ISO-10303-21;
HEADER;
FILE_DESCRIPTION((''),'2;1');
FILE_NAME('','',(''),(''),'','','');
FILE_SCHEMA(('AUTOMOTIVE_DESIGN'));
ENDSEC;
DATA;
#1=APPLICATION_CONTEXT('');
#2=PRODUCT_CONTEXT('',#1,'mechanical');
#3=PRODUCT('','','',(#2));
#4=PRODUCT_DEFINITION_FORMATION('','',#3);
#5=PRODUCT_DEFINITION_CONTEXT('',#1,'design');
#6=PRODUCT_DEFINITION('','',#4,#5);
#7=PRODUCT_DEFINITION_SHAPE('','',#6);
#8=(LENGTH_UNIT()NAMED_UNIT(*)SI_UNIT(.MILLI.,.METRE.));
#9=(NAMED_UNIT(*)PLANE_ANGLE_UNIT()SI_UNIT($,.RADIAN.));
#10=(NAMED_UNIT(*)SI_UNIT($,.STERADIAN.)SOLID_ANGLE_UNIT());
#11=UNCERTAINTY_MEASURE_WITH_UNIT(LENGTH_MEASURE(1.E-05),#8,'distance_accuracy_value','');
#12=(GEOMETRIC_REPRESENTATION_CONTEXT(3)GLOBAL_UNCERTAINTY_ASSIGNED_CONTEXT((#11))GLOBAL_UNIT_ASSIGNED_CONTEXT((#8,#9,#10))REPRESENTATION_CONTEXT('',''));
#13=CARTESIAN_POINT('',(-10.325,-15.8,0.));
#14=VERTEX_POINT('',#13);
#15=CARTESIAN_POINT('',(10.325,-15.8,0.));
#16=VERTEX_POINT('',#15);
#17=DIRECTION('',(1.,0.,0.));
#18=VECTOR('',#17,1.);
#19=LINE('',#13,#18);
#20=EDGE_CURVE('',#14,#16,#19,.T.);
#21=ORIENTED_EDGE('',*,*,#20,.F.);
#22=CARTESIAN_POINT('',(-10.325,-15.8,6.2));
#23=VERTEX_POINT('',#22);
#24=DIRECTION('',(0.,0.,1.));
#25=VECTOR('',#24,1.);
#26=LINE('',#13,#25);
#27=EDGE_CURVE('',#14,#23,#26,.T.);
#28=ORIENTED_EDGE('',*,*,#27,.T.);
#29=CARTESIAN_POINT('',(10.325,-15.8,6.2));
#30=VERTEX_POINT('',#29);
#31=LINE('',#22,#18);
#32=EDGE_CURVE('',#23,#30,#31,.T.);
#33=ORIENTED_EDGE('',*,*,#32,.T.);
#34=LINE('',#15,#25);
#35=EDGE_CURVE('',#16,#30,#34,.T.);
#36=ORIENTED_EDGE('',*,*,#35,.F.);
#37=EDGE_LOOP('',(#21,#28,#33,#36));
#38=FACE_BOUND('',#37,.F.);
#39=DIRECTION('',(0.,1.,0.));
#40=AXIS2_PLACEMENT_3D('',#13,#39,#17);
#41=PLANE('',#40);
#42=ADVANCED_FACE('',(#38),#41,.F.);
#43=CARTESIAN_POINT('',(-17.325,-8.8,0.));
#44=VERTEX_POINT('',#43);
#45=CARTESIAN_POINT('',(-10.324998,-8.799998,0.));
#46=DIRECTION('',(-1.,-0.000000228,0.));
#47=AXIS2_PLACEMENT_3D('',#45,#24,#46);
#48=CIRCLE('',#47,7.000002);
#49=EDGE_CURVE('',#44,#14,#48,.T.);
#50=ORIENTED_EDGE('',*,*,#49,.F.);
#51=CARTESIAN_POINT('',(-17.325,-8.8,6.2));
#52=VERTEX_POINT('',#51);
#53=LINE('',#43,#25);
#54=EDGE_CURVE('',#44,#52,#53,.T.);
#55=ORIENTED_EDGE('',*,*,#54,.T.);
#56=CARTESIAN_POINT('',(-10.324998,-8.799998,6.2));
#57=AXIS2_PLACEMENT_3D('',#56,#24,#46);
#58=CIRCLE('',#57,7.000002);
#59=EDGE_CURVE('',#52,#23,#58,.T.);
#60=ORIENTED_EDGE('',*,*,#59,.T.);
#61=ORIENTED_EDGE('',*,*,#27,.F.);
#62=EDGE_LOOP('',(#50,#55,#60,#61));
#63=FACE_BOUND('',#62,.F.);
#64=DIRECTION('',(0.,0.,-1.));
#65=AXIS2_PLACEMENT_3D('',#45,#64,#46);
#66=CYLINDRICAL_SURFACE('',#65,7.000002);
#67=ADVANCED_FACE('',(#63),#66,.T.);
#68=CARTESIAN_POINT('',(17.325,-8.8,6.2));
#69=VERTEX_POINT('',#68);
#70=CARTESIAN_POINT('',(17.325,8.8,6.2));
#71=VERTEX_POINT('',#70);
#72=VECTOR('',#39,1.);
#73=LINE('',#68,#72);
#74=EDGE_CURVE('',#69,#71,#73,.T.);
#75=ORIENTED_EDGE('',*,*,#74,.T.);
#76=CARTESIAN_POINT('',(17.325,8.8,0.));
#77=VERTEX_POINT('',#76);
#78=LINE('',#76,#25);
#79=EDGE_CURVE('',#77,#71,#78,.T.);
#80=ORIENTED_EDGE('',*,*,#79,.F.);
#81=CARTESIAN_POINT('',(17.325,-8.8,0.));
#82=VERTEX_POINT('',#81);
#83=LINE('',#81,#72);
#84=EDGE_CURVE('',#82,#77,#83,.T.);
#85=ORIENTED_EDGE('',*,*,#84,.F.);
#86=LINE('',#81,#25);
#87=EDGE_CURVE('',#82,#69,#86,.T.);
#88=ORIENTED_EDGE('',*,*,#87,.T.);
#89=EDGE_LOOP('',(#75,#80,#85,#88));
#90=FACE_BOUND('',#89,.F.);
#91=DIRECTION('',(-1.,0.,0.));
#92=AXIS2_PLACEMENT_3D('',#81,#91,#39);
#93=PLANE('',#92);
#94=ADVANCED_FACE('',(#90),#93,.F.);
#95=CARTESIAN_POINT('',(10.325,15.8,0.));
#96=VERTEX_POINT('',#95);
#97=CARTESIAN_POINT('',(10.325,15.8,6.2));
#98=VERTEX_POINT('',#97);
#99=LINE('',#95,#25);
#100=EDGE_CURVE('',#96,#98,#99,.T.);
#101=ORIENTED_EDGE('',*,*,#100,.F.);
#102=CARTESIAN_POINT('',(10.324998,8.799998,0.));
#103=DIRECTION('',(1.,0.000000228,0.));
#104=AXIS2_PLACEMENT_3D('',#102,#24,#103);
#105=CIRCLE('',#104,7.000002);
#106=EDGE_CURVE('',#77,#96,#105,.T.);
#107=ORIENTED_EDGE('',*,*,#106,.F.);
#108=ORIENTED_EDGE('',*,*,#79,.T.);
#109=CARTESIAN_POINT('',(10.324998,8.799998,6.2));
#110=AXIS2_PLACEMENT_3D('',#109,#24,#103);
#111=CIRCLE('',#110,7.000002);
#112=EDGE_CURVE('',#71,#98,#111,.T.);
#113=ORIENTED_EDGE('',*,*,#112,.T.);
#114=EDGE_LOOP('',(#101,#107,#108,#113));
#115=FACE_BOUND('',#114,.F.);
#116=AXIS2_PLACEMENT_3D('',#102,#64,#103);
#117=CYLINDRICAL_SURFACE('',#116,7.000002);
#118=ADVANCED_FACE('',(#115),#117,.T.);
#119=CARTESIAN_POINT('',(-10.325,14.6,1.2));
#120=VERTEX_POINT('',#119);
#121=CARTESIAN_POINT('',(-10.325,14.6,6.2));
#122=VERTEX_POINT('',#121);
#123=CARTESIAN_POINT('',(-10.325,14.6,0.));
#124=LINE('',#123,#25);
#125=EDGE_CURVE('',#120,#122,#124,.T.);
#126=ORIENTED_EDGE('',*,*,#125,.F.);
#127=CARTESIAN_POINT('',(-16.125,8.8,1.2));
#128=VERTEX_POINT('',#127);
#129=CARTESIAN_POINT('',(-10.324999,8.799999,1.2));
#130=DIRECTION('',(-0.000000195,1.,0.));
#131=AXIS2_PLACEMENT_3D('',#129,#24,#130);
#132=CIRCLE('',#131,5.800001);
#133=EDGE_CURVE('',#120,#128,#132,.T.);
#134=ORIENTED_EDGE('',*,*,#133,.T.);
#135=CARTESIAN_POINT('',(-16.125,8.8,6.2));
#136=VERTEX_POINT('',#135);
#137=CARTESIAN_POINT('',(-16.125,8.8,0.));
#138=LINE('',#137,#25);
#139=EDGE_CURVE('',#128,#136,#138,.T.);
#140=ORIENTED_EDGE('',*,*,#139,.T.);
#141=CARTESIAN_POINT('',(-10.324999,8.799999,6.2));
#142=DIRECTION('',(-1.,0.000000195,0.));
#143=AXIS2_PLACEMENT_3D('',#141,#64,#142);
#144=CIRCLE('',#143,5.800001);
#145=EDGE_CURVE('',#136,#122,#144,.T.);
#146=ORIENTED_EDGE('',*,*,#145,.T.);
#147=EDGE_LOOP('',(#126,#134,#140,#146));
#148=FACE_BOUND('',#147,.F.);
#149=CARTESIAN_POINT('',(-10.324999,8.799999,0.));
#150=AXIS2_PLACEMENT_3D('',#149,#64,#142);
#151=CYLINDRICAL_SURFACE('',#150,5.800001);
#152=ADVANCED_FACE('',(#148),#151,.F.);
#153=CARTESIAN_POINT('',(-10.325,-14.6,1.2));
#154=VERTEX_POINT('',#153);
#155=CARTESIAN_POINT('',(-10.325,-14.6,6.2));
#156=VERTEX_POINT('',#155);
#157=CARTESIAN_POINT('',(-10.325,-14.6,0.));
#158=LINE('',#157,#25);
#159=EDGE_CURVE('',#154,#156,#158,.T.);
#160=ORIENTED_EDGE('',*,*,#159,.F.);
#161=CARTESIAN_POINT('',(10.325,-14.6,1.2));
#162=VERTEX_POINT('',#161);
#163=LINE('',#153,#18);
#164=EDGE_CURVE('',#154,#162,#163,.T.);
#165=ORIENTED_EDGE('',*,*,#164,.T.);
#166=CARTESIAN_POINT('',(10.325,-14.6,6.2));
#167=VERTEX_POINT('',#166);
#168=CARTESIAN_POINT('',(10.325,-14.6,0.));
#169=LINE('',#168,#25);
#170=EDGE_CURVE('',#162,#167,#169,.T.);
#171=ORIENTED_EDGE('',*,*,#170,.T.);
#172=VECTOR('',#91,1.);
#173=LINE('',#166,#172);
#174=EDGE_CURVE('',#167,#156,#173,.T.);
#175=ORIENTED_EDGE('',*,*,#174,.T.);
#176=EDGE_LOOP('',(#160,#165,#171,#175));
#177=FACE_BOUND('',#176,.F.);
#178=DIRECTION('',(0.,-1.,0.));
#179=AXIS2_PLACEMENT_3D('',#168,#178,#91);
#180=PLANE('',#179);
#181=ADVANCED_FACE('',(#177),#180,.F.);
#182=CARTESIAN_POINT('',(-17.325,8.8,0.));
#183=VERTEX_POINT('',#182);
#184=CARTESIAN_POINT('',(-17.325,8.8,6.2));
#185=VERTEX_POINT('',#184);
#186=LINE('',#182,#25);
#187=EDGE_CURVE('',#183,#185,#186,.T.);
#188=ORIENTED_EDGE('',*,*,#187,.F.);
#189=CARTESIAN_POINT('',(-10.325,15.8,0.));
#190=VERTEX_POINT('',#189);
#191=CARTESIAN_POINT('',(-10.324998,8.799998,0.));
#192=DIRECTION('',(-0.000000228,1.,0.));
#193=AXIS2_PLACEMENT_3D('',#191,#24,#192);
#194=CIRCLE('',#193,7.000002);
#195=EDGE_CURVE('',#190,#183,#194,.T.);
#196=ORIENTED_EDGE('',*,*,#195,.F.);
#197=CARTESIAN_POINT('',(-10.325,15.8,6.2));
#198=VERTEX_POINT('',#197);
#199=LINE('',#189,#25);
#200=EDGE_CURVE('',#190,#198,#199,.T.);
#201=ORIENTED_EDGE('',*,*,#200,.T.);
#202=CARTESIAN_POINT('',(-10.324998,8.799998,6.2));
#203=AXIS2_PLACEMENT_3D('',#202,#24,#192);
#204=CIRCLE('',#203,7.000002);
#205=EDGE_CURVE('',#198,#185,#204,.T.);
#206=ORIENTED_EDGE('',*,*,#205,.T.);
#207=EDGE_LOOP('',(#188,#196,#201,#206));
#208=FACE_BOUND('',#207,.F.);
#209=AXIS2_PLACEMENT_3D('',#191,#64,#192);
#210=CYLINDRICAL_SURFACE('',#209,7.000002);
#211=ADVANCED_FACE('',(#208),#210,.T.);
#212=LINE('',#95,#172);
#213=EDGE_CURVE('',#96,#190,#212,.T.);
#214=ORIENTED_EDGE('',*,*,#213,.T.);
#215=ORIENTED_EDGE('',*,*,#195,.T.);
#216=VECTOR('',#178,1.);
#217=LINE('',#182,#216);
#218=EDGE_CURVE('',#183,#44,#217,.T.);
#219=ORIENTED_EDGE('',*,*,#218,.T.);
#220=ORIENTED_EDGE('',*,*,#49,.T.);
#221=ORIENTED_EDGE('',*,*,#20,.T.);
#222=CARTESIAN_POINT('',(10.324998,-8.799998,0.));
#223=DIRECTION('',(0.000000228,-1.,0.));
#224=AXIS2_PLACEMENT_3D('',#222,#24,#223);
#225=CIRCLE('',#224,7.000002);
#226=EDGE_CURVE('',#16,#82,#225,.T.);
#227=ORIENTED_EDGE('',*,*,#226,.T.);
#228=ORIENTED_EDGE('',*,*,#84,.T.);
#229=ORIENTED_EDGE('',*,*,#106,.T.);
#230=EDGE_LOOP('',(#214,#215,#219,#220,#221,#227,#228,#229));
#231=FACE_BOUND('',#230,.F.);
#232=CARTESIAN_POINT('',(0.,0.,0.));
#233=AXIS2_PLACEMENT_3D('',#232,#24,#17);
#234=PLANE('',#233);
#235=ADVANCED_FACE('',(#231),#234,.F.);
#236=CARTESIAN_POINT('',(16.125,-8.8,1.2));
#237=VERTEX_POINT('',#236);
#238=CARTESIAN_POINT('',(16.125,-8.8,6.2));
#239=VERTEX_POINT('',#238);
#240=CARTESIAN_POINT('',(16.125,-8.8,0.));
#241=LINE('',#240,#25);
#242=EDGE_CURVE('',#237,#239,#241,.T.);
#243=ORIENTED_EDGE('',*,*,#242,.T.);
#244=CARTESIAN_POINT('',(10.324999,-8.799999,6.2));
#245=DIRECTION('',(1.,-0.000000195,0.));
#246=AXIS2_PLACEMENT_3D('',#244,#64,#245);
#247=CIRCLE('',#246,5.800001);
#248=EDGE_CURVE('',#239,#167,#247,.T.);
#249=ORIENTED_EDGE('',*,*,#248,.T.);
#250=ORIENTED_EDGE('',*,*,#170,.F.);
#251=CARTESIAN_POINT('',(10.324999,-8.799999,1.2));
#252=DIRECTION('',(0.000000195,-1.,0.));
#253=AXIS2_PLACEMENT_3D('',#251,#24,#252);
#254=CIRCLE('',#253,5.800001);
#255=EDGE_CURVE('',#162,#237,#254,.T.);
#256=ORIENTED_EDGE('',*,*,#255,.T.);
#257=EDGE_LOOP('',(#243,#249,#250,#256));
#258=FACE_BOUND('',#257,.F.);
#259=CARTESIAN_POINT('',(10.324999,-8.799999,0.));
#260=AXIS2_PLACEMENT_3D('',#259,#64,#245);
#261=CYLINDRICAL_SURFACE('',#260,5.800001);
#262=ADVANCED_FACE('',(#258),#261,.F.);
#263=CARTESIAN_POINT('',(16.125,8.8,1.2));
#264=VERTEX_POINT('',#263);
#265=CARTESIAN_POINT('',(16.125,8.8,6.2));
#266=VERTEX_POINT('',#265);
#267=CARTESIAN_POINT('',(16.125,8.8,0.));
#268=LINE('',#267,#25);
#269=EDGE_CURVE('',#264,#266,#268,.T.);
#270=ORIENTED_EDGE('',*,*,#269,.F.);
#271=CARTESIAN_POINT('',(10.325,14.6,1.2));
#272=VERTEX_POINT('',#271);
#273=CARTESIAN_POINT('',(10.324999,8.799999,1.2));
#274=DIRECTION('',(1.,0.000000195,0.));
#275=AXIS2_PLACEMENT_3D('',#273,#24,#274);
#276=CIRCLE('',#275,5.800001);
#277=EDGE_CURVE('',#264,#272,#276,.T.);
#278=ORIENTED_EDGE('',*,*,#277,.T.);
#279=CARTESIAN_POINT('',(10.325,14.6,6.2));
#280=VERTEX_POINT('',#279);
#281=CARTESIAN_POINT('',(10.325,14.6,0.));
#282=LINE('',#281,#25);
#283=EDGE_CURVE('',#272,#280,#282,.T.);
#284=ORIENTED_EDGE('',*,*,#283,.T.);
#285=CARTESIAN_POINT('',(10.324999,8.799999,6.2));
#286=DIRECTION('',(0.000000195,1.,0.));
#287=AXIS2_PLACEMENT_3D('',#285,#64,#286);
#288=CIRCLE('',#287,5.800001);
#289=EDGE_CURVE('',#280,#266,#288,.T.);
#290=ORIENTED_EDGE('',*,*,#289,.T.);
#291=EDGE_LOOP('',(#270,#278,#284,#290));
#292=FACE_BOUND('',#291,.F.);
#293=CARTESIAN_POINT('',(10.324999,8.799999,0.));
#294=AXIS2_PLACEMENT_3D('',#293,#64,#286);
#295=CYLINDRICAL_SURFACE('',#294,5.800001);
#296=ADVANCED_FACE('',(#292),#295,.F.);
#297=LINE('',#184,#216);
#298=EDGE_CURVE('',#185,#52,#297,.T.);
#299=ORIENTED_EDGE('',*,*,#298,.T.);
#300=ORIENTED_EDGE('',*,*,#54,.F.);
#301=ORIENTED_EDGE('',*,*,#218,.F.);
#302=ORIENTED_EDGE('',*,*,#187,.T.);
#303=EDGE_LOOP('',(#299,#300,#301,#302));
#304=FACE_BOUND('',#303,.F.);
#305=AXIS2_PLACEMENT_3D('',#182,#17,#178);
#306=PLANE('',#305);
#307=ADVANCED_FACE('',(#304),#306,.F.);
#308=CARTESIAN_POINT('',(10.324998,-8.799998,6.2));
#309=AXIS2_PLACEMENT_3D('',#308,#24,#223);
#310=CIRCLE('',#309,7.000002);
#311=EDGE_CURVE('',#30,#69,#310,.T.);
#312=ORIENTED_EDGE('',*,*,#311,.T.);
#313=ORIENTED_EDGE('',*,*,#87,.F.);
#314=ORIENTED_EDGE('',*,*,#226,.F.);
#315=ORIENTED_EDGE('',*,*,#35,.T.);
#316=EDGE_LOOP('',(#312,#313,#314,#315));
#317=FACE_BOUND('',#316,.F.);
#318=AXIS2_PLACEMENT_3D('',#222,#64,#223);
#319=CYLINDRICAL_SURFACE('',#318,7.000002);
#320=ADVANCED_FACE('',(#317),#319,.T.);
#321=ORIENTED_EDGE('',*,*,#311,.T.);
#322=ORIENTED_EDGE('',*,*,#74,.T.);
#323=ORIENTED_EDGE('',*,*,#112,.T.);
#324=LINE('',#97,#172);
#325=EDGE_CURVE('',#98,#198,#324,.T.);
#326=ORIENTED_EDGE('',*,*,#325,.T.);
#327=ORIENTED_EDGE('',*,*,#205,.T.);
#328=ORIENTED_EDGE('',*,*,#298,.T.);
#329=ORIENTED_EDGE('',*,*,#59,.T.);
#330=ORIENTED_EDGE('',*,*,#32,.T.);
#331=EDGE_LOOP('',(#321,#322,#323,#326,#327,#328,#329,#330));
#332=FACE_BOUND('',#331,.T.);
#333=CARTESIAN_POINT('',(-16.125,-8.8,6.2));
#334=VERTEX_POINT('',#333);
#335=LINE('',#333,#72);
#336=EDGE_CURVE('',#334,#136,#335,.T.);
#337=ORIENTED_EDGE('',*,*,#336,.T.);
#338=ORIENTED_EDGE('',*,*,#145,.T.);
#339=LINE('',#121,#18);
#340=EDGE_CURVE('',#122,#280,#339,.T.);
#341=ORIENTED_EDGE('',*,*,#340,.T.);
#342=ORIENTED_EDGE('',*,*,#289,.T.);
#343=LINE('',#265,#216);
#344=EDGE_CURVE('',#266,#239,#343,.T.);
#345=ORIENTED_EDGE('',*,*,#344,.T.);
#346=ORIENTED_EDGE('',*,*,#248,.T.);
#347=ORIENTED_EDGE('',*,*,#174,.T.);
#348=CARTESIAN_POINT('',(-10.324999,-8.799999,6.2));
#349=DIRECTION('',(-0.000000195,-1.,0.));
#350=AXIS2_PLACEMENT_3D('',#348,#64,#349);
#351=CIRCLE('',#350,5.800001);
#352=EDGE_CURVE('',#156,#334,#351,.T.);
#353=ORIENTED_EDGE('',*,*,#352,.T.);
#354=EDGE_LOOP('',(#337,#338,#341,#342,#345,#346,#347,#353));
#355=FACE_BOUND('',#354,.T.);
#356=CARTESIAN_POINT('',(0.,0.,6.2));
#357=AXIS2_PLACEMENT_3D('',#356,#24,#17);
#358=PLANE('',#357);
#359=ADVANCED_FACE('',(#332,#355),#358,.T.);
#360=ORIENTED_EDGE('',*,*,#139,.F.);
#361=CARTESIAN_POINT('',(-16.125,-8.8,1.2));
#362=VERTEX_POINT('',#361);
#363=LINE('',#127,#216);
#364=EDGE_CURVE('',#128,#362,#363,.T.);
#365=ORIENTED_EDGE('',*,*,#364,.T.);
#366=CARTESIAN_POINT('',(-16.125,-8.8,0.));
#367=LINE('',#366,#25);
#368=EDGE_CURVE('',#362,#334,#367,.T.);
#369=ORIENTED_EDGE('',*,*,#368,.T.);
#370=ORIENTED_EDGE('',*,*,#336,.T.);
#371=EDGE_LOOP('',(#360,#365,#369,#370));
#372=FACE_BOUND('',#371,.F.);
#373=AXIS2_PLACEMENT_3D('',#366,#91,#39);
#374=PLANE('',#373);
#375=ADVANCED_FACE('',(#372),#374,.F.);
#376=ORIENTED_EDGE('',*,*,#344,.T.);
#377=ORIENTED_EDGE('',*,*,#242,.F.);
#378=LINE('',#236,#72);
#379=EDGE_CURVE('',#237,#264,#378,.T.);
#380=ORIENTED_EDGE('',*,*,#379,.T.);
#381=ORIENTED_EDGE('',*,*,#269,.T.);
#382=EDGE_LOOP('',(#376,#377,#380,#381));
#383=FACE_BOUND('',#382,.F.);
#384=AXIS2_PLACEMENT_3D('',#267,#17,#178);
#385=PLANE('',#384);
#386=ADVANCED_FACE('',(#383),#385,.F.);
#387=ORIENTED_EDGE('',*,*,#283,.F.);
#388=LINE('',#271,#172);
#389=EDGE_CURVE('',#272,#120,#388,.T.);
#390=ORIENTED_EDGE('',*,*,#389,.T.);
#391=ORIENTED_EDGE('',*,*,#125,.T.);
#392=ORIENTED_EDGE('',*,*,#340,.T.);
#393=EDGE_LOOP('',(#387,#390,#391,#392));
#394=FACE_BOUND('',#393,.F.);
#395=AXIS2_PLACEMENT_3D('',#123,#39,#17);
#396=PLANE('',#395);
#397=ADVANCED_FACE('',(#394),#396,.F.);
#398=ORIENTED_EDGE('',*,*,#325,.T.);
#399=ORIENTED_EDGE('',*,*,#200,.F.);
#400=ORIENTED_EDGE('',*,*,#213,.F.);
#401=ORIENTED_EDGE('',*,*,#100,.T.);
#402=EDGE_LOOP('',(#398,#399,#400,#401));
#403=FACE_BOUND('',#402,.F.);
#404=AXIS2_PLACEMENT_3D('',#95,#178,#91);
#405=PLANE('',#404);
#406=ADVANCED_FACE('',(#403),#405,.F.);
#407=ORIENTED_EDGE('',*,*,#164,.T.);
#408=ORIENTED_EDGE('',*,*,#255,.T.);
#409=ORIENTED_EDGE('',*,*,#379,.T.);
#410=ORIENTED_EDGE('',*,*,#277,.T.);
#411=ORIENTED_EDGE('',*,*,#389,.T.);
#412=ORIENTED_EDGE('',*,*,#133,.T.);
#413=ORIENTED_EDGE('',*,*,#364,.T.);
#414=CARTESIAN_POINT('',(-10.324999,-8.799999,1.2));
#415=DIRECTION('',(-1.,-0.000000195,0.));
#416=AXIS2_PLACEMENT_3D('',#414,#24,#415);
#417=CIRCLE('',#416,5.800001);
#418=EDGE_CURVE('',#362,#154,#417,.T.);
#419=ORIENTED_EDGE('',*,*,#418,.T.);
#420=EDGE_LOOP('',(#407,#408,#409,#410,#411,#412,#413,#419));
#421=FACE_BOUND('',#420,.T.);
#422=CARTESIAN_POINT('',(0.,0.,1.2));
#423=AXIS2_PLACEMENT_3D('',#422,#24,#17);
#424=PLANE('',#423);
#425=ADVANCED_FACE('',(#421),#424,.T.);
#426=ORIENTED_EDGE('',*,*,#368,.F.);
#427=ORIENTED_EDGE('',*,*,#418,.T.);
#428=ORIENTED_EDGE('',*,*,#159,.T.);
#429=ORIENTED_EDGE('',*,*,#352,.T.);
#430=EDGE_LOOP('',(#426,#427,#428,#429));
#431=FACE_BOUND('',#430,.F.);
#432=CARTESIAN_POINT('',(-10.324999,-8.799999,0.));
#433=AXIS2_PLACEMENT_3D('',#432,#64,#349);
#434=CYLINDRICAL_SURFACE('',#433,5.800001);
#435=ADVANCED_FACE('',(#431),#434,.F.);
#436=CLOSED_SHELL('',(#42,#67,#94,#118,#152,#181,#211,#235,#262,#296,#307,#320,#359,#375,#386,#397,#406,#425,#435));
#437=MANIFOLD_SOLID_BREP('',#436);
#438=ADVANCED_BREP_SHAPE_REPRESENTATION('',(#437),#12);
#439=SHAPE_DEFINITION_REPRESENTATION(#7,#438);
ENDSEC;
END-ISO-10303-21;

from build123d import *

# Parameters (mm, degrees)
F1_DEPTH = 6.2
F2_DEPTH = 1.2


with BuildPart() as f1:
    # F0 (on Top) → F1 (new body)
    with BuildSketch(Plane.XY):
        with BuildLine():
            Line((-10.325, -15.8), (10.325, -15.8))
            ThreePointArc((10.325, -15.8), (15.274747, -13.749747), (17.325, -8.8))
            Line((17.325, -8.8), (17.325, 8.8))
            ThreePointArc((17.325, 8.8), (15.274747, 13.749747), (10.325, 15.8))
            Line((10.325, 15.8), (-10.325, 15.8))
            ThreePointArc((-10.325, 15.8), (-15.274747, 13.749747), (-17.325, 8.8))
            Line((-17.325, 8.8), (-17.325, -8.8))
            ThreePointArc((-17.325, -8.8), (-15.274747, -13.749747), (-10.325, -15.8))
        make_face()
        with BuildLine():
            Line((16.125, 8.8), (16.125, -8.8))
            ThreePointArc((16.125, -8.8), (14.426219, -12.901219), (10.325, -14.6))
            Line((10.325, -14.6), (-10.325, -14.6))
            ThreePointArc((-10.325, -14.6), (-14.426219, -12.901219), (-16.125, -8.8))
            Line((-16.125, -8.8), (-16.125, 8.8))
            ThreePointArc((-16.125, 8.8), (-14.426219, 12.901219), (-10.325, 14.6))
            Line((-10.325, 14.6), (10.325, 14.6))
            ThreePointArc((10.325, 14.6), (14.426219, 12.901219), (16.125, 8.8))
        make_face(mode=Mode.SUBTRACT)
    extrude(amount=F1_DEPTH)

    # F0 (on Top) → F2 (join)
    with BuildSketch(Plane.XY):
        with BuildLine():
            ThreePointArc((10.325, -14.6), (14.426219, -12.901219), (16.125, -8.8))
            Line((16.125, -8.8), (16.125, 8.8))
            ThreePointArc((16.125, 8.8), (14.426219, 12.901219), (10.325, 14.6))
            Line((10.325, 14.6), (-10.325, 14.6))
            ThreePointArc((-10.325, 14.6), (-14.426219, 12.901219), (-16.125, 8.8))
            Line((-16.125, 8.8), (-16.125, -8.8))
            ThreePointArc((-16.125, -8.8), (-14.426219, -12.901219), (-10.325, -14.6))
            Line((-10.325, -14.6), (10.325, -14.6))
        make_face()
    extrude(amount=F2_DEPTH)


solid = f1.part
